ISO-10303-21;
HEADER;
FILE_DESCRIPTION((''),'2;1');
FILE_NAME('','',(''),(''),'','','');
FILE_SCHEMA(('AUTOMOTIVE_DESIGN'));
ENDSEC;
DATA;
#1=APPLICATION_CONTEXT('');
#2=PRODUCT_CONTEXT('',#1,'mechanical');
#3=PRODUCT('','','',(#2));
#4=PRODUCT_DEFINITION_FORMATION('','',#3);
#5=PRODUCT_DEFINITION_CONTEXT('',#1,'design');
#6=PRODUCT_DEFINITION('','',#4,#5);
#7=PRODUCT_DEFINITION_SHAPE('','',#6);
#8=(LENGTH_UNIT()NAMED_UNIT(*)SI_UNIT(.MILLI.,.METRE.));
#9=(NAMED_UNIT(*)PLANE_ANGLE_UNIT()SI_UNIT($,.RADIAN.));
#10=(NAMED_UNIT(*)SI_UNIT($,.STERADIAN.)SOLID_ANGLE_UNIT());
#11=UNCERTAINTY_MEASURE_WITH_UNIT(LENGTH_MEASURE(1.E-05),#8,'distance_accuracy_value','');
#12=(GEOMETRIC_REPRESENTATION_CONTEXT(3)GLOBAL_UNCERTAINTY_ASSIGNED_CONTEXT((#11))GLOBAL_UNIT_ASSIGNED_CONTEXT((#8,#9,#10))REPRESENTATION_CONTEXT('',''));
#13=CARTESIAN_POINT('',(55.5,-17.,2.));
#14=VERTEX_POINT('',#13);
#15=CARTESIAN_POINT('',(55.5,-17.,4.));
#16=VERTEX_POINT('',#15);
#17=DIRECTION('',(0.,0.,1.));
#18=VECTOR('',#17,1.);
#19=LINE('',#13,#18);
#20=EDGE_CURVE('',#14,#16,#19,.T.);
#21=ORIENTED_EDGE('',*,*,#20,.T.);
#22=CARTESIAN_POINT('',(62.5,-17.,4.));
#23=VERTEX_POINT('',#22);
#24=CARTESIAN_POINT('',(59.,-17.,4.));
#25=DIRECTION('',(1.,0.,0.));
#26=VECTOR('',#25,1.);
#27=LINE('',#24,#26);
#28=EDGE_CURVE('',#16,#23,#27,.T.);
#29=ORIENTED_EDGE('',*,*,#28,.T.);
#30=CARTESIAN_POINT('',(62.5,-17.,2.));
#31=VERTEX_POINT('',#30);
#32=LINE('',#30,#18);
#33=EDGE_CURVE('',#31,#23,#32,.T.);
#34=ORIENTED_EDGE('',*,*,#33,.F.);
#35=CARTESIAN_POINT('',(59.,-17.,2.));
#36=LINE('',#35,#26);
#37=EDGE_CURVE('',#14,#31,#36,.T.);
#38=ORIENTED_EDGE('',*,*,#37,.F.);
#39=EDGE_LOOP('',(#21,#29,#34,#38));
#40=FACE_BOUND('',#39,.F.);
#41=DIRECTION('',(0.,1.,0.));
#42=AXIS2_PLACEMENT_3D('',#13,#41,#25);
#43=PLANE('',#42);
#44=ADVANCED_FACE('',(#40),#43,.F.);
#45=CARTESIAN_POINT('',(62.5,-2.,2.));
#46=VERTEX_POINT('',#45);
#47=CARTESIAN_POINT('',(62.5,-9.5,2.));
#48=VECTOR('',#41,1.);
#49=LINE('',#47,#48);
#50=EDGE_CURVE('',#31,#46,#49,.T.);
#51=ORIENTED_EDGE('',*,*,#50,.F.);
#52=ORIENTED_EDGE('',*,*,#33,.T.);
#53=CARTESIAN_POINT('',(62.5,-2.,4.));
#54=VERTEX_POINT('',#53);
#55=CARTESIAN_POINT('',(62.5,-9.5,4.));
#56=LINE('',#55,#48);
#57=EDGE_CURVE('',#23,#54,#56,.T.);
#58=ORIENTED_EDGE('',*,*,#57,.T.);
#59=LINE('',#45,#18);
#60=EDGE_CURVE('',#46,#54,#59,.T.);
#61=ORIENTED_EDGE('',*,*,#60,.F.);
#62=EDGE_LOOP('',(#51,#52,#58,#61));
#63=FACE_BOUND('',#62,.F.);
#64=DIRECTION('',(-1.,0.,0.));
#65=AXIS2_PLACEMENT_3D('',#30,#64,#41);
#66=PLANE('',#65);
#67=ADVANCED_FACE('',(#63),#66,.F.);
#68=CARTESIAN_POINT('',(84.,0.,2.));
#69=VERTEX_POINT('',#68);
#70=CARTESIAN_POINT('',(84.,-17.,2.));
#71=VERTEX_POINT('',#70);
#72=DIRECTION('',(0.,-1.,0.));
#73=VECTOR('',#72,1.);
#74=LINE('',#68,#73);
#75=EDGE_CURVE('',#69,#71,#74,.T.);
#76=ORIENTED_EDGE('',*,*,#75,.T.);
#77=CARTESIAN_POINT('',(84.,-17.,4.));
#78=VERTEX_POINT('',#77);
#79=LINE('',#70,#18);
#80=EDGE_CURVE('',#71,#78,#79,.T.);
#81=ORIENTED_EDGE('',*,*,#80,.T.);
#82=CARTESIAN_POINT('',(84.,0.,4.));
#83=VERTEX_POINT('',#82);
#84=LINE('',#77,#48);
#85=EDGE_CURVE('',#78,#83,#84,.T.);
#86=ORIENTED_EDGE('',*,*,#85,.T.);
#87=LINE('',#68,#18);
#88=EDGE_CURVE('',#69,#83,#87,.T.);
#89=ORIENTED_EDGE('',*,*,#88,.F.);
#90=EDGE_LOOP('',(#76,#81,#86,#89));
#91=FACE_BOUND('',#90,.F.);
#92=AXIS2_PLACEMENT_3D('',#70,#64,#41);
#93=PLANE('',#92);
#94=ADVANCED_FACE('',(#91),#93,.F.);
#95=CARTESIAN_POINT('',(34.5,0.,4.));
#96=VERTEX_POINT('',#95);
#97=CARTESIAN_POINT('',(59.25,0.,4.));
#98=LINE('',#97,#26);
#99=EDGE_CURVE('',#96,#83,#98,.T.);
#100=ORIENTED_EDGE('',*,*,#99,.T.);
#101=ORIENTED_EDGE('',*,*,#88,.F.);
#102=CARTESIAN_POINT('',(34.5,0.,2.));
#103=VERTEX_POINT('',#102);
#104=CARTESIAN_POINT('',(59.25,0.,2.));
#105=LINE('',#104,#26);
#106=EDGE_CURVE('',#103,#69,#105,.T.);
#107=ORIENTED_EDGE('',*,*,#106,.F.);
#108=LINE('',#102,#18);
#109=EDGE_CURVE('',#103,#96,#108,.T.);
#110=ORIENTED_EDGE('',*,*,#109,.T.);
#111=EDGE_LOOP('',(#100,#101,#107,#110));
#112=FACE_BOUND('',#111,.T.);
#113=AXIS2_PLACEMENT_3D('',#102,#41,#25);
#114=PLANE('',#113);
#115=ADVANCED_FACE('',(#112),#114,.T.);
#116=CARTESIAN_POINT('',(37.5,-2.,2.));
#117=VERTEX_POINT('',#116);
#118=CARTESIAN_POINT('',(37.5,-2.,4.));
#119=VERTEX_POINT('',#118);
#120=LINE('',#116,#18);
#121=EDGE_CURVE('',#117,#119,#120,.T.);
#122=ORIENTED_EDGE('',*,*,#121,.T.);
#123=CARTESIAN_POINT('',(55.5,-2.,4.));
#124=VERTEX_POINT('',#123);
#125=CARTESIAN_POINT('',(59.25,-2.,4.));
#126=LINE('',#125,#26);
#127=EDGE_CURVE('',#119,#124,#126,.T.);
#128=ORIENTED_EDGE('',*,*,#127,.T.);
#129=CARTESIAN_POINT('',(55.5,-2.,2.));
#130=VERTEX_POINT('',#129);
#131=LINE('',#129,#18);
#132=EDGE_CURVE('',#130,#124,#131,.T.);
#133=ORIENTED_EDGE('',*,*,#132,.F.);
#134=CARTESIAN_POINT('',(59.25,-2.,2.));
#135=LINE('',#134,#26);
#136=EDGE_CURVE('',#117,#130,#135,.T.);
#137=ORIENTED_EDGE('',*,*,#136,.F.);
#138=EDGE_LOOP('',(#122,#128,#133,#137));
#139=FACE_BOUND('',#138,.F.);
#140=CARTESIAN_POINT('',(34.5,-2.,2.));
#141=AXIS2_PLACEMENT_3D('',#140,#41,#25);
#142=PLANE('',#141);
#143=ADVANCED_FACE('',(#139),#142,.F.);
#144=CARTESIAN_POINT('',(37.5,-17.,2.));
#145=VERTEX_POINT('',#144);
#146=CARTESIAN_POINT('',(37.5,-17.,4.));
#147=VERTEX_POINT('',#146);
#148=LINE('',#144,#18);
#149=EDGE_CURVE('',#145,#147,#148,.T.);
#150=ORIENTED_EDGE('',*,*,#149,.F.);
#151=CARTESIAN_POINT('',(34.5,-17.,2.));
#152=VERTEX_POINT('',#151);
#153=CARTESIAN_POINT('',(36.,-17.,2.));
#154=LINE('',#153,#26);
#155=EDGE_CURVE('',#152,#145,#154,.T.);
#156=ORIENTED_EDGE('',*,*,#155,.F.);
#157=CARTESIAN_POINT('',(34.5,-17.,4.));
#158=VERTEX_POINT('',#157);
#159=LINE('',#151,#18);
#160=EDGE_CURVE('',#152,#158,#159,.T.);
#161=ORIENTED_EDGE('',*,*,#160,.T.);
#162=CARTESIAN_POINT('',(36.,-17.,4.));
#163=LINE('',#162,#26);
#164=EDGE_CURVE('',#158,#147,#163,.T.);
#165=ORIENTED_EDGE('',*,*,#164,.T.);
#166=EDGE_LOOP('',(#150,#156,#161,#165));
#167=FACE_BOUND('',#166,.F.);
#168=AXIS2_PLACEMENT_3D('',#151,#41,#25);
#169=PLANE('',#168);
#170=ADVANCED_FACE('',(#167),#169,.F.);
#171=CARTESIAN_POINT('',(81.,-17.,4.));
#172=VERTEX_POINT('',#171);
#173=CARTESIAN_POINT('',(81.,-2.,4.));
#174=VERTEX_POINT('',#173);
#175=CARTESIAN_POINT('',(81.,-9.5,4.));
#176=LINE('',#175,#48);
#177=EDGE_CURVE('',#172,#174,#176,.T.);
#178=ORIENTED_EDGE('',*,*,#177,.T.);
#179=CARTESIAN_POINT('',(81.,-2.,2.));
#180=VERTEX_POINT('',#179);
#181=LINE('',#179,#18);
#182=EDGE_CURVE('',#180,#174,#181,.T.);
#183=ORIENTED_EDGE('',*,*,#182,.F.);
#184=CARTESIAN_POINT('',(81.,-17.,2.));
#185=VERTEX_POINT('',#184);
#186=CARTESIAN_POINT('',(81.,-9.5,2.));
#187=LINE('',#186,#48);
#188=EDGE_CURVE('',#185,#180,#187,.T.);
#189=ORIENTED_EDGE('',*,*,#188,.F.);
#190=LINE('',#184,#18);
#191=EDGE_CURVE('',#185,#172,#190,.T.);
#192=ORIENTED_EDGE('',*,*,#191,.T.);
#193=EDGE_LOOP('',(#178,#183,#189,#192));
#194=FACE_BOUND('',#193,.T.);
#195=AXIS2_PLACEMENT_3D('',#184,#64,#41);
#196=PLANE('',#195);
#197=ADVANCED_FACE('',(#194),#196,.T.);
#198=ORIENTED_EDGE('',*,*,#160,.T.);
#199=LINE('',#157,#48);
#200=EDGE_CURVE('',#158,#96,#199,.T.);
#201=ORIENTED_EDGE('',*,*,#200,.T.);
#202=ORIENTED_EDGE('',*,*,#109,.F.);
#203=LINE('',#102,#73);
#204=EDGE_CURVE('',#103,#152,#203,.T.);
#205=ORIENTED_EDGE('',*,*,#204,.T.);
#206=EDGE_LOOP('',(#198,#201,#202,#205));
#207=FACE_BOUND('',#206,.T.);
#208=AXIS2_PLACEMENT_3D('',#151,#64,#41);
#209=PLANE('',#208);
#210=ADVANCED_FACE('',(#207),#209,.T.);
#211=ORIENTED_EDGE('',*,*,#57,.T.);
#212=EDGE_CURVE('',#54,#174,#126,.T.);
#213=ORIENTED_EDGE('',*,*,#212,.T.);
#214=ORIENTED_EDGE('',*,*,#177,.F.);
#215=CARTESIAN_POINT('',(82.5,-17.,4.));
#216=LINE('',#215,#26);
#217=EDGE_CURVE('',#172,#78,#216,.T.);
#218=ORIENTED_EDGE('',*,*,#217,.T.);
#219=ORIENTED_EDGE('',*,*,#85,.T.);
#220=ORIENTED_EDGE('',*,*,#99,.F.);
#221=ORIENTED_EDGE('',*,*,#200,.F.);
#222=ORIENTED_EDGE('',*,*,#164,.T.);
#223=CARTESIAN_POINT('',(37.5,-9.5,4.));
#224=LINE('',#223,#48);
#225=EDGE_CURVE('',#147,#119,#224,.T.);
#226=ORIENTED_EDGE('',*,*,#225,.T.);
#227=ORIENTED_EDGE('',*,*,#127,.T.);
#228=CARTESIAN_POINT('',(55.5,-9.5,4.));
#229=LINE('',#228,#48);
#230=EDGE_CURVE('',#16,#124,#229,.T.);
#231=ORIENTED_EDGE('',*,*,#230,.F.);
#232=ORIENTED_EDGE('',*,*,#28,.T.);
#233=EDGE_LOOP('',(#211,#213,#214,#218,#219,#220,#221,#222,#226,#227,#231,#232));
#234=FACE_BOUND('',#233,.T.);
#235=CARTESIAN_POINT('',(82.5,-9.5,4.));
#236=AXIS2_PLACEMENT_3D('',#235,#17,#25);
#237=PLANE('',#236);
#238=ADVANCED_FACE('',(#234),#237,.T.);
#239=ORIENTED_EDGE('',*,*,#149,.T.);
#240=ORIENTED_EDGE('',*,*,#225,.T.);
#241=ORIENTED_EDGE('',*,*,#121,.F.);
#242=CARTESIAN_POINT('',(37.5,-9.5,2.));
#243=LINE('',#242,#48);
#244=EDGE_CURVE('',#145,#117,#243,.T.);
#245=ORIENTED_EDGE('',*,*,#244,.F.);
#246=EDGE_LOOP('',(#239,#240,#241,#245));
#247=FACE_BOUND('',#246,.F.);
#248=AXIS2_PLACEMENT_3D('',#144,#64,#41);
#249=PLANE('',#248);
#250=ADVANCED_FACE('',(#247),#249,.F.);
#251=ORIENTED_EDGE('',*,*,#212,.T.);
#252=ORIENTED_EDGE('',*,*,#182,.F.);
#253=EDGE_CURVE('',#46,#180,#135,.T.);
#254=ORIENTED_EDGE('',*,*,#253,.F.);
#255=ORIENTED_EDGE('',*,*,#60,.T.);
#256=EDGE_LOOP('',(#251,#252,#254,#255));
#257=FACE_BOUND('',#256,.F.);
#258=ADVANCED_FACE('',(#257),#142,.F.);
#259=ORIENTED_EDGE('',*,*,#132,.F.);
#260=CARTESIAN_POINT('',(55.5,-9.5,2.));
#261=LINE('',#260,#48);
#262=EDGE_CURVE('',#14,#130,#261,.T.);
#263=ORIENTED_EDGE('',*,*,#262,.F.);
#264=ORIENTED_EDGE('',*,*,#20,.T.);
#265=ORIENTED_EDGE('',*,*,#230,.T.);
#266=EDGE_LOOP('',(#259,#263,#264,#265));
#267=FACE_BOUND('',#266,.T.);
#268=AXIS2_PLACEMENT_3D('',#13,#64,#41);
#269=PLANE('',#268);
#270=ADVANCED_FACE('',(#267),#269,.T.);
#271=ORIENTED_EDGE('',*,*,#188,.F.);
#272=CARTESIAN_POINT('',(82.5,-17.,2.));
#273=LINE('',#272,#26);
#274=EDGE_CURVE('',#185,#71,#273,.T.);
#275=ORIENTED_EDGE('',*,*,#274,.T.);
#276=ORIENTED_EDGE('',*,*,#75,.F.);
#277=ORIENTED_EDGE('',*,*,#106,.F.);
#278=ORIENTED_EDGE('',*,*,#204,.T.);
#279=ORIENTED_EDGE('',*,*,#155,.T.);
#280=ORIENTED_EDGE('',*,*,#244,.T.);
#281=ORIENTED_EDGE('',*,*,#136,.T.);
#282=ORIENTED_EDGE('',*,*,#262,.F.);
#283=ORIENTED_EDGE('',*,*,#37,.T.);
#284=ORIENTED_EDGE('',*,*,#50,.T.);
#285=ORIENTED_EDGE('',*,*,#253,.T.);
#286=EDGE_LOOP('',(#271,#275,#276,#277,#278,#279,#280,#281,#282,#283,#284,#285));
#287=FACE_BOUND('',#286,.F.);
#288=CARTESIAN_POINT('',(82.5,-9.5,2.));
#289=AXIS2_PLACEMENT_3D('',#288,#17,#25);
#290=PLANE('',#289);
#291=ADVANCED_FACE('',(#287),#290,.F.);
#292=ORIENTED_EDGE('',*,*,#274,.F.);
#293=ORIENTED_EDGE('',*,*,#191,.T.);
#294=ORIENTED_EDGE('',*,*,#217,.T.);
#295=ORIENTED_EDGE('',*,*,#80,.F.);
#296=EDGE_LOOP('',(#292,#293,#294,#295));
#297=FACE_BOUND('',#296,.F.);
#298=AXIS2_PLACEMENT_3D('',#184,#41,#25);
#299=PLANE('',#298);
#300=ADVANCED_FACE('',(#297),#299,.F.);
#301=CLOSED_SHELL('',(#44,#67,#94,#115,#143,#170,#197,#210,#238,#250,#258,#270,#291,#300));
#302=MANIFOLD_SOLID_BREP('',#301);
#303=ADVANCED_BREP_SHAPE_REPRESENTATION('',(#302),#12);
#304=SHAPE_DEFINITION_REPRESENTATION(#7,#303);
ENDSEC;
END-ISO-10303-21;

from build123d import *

# Parameters (mm, degrees)
BOX142_W     = 49.5
BOX142_H     = 2
BOX142_DEPTH = 2
BOX143_W     = 3
BOX143_H     = 15
BOX143_DEPTH = 2
BOX144_W     = 3
BOX144_H     = 15
BOX144_DEPTH = 2
BOX139_W     = 7
BOX139_H     = 15
BOX139_DEPTH = 2


with BuildPart() as cube131:
    # Box142 → Box142 (new body)
    with BuildSketch(Plane(origin=(34.5, -2, 2), x_dir=(1, 0, 0), z_dir=(0, 0, 1))):
        with Locations((24.75, 1)):
            Rectangle(BOX142_W, BOX142_H)
    extrude(amount=BOX142_DEPTH)


with BuildPart() as cube132:
    # Box143 → Box143 (new body)
    with BuildSketch(Plane(origin=(34.5, -17, 2), x_dir=(1, 0, 0), z_dir=(0, 0, 1))):
        with Locations((1.5, 7.5)):
            Rectangle(BOX143_W, BOX143_H)
    extrude(amount=BOX143_DEPTH)


with BuildPart() as cube133:
    # Box144 → Box144 (new body)
    with BuildSketch(Plane(origin=(81, -17, 2), x_dir=(1, 0, 0), z_dir=(0, 0, 1))):
        with Locations((1.5, 7.5)):
            Rectangle(BOX144_W, BOX144_H)
    extrude(amount=BOX144_DEPTH)


with BuildPart() as fusion047:
    # Box139 → Box139 (new body)
    with BuildSketch(Plane(origin=(55.5, -17, 2), x_dir=(1, 0, 0), z_dir=(0, 0, 1))):
        with Locations((3.5, 7.5)):
            Rectangle(BOX139_W, BOX139_H)
    extrude(amount=BOX139_DEPTH)

    # Fusion047: union Cube131, Cube132, Cube133
    add(cube131.part)
    add(cube132.part)
    add(cube133.part)


solid = fusion047.part
